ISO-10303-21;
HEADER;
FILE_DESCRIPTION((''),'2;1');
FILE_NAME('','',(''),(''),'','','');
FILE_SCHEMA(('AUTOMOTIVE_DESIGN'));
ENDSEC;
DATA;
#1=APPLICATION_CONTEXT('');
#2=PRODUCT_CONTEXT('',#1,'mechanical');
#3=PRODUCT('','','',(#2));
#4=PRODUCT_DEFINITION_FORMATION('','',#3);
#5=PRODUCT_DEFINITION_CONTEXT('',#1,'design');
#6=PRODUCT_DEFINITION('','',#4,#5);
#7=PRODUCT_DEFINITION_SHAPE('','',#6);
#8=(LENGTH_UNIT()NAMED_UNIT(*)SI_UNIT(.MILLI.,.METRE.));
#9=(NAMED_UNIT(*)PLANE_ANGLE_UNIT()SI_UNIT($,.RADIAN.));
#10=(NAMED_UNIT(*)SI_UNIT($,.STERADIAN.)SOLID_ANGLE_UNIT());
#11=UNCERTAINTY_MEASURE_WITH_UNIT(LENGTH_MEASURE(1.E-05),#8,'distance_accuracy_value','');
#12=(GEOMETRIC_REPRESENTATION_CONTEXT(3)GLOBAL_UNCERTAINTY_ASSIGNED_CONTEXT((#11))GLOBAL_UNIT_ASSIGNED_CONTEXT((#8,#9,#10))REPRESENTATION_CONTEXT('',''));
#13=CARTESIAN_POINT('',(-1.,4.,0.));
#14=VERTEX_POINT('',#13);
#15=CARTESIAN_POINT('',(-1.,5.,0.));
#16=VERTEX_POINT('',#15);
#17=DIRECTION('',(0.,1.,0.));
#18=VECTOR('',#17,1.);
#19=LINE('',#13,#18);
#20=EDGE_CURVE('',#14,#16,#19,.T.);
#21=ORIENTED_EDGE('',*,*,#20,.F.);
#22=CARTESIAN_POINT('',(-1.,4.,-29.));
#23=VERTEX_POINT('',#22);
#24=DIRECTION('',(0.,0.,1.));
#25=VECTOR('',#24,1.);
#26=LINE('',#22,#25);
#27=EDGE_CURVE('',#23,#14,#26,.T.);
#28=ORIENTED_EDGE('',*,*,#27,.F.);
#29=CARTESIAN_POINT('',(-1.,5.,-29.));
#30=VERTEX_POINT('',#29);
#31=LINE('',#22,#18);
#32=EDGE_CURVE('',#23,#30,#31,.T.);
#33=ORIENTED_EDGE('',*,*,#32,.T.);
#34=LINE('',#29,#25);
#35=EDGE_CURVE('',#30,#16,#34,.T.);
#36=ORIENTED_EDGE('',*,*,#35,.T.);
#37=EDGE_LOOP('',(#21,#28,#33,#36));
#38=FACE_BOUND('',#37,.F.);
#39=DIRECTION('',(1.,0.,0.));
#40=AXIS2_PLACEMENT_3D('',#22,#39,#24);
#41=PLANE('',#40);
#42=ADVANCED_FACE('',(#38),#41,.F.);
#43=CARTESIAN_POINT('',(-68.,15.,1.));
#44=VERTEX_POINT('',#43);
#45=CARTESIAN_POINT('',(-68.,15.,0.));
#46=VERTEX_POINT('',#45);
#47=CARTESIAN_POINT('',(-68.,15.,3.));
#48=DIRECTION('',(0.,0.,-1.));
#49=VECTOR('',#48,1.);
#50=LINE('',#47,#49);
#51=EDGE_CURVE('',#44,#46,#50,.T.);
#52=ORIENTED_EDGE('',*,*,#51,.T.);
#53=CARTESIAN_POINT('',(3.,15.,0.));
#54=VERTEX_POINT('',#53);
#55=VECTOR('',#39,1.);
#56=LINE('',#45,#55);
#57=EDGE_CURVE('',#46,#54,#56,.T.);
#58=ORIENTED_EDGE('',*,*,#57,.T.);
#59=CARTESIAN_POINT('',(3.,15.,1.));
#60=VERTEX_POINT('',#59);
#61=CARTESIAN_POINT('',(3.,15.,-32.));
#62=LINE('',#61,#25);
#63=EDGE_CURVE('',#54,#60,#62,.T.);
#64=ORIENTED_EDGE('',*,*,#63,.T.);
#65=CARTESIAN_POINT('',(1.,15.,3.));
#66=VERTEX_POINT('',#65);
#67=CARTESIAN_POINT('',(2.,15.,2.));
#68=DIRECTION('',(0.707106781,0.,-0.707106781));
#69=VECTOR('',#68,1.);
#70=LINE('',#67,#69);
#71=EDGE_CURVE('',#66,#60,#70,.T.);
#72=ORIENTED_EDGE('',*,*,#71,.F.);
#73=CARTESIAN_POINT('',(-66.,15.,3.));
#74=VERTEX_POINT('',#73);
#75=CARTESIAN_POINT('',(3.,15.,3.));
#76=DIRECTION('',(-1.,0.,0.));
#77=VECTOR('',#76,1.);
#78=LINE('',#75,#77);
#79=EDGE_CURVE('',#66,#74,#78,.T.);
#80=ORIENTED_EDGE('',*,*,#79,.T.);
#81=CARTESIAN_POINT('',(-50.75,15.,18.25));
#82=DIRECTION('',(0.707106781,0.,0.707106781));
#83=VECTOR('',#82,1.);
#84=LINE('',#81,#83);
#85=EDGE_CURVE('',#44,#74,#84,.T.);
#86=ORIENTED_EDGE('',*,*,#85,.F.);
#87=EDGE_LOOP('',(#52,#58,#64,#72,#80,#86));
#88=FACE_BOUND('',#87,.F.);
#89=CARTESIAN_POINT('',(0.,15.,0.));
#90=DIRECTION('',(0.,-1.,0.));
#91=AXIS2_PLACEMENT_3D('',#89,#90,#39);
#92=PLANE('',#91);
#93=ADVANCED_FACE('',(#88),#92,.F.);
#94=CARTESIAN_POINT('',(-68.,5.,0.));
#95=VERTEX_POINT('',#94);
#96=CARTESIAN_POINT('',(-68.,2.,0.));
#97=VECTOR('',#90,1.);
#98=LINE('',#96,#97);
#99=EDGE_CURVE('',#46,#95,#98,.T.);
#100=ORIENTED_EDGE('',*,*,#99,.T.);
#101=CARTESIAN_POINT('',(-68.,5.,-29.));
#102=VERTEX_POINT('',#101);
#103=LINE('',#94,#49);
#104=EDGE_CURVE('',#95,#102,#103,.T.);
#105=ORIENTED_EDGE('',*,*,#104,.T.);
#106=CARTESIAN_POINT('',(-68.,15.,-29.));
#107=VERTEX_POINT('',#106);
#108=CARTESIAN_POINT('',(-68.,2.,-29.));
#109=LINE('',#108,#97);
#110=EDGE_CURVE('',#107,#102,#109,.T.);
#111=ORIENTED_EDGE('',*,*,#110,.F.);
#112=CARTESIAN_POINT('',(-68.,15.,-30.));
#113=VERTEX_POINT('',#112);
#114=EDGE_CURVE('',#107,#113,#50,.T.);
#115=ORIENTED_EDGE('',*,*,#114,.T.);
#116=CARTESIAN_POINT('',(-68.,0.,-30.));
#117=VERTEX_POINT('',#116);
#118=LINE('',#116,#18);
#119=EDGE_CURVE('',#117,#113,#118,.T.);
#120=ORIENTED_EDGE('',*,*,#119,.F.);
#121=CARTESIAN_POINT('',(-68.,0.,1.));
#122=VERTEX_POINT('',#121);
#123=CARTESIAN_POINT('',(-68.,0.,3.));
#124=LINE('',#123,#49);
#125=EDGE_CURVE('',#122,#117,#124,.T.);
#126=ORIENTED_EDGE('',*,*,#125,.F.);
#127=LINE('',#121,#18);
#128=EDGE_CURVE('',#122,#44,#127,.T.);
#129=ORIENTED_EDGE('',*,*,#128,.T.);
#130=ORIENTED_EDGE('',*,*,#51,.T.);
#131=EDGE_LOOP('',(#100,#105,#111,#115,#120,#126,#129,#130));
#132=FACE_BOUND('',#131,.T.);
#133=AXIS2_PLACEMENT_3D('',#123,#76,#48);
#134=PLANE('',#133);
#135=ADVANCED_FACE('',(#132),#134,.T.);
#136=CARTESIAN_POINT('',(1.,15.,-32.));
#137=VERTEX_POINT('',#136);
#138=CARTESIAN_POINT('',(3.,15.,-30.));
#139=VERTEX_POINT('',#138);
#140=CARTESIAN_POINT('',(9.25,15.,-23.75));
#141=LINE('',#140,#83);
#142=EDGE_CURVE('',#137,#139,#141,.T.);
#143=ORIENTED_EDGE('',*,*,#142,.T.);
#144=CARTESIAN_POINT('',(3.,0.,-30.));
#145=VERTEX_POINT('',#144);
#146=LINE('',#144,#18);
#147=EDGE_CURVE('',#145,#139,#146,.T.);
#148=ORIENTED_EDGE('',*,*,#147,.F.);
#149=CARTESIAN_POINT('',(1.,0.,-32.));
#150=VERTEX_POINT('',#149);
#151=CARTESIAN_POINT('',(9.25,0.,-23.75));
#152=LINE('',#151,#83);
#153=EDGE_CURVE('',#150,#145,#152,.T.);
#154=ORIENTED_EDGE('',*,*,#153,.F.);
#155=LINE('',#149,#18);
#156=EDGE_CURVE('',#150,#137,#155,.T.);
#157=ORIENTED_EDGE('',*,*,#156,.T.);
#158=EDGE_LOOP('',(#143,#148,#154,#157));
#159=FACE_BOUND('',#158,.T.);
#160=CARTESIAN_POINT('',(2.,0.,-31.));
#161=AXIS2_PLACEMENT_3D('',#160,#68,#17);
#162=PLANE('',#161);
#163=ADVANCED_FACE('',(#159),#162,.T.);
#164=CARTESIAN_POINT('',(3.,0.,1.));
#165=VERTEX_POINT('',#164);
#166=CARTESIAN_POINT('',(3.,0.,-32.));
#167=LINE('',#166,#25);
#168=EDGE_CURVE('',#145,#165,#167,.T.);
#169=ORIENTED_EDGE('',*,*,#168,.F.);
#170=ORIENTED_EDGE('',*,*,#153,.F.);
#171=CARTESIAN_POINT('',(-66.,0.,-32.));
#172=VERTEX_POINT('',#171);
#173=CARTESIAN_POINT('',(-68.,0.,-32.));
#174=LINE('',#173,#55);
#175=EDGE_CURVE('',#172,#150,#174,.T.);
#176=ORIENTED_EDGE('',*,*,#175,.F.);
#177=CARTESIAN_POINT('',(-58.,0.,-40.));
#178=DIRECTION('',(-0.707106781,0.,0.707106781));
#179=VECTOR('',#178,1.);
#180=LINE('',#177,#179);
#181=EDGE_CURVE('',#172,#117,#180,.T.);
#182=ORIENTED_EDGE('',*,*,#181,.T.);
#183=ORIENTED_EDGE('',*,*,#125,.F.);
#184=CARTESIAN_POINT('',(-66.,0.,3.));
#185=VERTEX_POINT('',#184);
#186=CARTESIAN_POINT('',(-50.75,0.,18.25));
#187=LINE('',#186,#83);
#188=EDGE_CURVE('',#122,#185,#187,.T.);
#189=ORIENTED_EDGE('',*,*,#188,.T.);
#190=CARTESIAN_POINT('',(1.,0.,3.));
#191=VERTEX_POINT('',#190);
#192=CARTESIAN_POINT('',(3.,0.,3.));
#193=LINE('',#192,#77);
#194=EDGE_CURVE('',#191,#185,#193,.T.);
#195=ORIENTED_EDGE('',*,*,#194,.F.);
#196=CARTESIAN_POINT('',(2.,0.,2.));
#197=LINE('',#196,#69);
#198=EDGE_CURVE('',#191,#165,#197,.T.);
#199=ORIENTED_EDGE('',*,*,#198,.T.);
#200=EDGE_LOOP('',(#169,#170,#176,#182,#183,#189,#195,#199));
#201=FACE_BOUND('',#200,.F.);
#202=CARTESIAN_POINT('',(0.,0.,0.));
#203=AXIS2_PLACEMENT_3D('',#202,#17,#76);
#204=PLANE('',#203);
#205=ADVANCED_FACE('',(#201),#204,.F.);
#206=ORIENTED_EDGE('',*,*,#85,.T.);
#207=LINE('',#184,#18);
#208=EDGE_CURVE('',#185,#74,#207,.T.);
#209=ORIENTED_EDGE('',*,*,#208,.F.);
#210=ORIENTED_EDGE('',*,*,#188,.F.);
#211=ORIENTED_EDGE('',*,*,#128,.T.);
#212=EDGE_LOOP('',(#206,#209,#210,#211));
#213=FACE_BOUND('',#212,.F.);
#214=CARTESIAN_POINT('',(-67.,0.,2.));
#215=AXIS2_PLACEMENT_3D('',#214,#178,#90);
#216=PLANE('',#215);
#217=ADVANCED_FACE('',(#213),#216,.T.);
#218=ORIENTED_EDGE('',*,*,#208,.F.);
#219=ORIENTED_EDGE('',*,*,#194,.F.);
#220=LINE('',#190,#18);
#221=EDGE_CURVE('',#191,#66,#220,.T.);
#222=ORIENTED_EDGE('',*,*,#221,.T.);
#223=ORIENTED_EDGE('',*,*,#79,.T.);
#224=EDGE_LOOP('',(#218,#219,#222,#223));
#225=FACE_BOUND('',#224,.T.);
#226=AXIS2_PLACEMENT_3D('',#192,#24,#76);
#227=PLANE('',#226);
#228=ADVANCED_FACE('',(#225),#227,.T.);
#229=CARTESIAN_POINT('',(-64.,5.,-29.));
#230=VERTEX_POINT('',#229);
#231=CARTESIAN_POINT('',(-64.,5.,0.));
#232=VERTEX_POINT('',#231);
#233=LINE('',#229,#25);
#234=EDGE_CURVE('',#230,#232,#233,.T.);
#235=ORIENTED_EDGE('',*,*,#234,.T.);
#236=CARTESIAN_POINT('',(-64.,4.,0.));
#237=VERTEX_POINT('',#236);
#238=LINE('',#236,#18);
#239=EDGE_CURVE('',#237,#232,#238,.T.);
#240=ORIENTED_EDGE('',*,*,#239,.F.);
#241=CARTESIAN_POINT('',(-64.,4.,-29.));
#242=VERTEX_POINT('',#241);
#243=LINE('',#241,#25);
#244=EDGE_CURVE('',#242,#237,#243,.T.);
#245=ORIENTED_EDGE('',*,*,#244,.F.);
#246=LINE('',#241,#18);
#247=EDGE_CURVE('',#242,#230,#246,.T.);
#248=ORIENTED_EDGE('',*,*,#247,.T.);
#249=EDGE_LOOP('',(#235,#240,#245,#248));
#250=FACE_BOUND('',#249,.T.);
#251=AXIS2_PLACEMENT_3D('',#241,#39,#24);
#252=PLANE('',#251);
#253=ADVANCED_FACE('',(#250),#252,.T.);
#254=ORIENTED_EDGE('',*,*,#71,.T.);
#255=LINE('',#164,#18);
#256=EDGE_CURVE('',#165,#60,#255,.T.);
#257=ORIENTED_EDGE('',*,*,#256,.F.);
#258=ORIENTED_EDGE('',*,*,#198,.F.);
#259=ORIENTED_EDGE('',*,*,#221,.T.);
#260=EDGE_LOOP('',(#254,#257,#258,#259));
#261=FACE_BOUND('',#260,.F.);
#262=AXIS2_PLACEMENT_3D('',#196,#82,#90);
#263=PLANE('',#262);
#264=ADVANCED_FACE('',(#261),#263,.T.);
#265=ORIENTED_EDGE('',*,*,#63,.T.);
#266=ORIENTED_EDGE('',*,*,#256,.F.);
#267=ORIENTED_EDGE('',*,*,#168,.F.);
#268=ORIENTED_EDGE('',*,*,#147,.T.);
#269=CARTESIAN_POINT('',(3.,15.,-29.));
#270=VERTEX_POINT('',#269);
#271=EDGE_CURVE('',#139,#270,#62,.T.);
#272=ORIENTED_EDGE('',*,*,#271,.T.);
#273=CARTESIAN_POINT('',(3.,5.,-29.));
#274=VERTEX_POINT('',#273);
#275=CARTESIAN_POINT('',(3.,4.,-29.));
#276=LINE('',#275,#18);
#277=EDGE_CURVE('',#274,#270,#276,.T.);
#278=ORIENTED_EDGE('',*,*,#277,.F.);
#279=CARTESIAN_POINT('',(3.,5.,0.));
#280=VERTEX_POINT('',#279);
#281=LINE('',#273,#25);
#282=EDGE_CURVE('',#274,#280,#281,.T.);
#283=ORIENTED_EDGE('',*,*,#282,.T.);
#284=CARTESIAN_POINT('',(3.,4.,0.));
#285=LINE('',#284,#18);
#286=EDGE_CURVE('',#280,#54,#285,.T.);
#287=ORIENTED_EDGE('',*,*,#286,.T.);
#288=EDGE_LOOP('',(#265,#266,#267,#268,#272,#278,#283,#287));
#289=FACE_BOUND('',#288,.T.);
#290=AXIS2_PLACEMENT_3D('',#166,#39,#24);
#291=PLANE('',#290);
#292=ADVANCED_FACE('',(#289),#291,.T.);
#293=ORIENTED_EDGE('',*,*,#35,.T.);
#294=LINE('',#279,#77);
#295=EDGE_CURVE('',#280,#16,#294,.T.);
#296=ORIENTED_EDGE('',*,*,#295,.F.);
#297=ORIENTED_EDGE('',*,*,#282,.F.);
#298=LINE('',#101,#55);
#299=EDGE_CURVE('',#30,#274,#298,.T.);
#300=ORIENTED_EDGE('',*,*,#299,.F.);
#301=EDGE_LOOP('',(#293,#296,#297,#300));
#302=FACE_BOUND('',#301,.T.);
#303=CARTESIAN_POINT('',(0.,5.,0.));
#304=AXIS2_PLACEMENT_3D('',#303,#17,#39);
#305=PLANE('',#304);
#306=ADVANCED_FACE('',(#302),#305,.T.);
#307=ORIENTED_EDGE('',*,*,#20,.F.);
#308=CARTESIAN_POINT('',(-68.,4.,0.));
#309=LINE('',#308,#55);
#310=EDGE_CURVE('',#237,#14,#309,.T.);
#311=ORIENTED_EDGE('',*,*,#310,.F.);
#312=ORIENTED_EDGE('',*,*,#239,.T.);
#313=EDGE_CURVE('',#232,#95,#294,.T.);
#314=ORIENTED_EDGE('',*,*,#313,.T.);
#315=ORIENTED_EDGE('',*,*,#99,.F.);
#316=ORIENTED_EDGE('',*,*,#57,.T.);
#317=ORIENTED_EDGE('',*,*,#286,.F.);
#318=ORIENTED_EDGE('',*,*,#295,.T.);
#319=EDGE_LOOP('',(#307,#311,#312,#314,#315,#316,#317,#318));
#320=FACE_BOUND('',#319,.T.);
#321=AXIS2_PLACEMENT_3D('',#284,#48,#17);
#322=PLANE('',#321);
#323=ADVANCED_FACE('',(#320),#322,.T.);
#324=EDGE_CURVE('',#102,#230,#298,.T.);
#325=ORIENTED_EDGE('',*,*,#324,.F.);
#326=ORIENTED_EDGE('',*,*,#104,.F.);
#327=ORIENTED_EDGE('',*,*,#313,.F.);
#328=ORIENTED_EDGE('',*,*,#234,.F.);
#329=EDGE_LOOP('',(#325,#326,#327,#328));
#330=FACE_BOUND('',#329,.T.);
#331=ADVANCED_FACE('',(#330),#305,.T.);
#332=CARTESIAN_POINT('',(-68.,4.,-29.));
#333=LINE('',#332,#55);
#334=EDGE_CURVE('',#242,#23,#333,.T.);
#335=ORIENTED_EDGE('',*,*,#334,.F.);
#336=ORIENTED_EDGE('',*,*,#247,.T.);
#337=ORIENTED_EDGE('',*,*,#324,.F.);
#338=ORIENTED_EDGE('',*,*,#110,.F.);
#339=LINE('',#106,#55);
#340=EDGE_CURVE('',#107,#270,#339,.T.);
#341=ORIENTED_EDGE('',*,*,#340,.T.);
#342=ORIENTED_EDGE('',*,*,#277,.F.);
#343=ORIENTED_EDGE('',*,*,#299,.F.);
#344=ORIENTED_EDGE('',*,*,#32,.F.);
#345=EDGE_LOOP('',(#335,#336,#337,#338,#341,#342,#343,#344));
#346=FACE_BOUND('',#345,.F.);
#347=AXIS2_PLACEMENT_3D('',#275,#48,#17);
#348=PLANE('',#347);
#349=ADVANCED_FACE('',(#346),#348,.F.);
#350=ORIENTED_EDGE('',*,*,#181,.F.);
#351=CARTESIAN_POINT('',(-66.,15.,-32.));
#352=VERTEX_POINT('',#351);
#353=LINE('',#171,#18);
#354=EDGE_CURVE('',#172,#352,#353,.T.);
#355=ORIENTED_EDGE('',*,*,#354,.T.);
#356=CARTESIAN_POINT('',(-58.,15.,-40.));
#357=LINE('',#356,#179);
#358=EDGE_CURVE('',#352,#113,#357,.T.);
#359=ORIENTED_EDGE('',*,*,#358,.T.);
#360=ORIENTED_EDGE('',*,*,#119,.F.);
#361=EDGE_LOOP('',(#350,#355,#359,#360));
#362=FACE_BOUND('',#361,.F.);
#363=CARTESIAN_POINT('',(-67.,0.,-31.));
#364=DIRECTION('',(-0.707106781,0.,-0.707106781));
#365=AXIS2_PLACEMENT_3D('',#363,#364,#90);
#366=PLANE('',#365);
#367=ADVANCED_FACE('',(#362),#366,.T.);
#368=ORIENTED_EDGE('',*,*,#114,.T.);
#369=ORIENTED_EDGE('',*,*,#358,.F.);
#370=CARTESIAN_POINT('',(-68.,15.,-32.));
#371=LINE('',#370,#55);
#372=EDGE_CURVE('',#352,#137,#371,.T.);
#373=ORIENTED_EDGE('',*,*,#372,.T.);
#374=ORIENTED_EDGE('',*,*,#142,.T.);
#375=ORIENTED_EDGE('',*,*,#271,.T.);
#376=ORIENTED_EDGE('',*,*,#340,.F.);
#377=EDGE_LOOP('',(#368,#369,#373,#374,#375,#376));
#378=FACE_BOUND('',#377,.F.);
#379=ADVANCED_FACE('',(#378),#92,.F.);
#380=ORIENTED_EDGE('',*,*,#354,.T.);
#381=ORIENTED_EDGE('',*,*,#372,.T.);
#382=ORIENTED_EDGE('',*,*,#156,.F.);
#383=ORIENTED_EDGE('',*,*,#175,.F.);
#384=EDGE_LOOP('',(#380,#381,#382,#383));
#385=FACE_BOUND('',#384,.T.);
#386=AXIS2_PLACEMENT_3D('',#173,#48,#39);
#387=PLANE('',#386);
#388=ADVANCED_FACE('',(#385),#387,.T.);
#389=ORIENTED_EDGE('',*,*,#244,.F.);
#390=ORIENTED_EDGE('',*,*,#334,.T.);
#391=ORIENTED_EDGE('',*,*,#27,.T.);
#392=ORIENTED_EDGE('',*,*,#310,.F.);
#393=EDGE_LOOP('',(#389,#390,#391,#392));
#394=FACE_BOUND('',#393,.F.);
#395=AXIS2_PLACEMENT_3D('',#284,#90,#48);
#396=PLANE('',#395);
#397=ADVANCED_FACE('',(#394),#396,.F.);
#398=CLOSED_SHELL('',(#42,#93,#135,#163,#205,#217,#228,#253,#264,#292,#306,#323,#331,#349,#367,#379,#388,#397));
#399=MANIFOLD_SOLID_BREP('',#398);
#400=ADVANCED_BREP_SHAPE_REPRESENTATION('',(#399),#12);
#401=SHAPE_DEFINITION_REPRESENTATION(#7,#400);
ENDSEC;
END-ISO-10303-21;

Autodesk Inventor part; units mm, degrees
ref_plane "YZ Plane" through (0, 0, 0) normal (1, 0, 0) x (0, 1, 0)
ref_plane "XZ Plane" through (0, 0, 0) normal (0, 1, 0) x (-1, 0, 0)
ref_plane "XY Plane" through (0, 0, 0) normal (0, 0, 1) x (1, 0, 0)
sketch "Sketch1" plane through (0, 0, 0) normal (0, 1, 0) x (-1, 0, 0)
  line L0 (0, 0) -> (0, -29)
  line L1 (0, 0) -> (65, 0)
  line L2 (65, 0) -> (65, -29)
  line L3 (65, -29) -> (0, -29)
  dimension "d0" = 29
  dimension "d1" = 65
extrude "Extrusion1" add sketch "Sketch1" along normal blind 4
sketch "Sketch3" plane through (0, 0, 0) normal (0, -1, 0) x (1, 0, 0)
  line L0 (0, 0) -> (0, -29) projected
  line L1 (-65, 0) -> (0, 0) projected
  line L2 (-65, -29) -> (-65, 0) projected
  line L3 (0, -29) -> (-65, -29) projected
  line L4 (3, -32) -> (3, 3)
  line L5 (3, 3) -> (-68, 3)
  line L6 (-68, 3) -> (-68, -32)
  line L7 (-68, -32) -> (3, -32)
  dimension "d4" = 3
extrude "Extrusion2" add sketch "Sketch3" against normal blind 15
sketch "Sketch4" plane through (3, 0, 3) normal (1, 0, 0) x (0, 0, -1)
  line L0 (3, 4) -> (32, 4) projected
  line L1 (32, 4) -> (3, 4) projected
  line L2 (3, 4) -> (3, 15)
  line L3 (32, 4) -> (32, 15)
  line L4 (3, 4) -> (32, 4)
  line L5 (3, 15) -> (32, 15)
  line L6 (0, 15) -> (35, 15) projected
  point P0 (3, 0)
extrude "Extrusion3" cut sketch "Sketch4" against normal blind 72.15
chamfer "Chamfer1" distance 2 angle 45 4 edges at (3, 7.5, 3) (-68, 7.5, 3) (-68, 7.5, -32) (3, 7.5, -32)
sketch "Sketch5" plane through (0, 4, 0) normal (0, 1, 0) x (1, 0, 0)
  line L0 (-68, 0) -> (-68, 29) projected
  line L1 (3, 29) -> (3, 0) projected
  line L2 (-68, 29) -> (3, 29) projected
  line L3 (-1, 29) -> (-1, 0)
  line L4 (-64, 29) -> (-64, 0)
  line L5 (3, 0) -> (-68, 0) projected
  point P0 (0, 0)
extrude "Extrusion4" add sketch "Sketch5" along normal blind 1 contours L0 L2 L4 L5 | L3 L2 L1 L5
properties part number "Buck Converter Holder"
